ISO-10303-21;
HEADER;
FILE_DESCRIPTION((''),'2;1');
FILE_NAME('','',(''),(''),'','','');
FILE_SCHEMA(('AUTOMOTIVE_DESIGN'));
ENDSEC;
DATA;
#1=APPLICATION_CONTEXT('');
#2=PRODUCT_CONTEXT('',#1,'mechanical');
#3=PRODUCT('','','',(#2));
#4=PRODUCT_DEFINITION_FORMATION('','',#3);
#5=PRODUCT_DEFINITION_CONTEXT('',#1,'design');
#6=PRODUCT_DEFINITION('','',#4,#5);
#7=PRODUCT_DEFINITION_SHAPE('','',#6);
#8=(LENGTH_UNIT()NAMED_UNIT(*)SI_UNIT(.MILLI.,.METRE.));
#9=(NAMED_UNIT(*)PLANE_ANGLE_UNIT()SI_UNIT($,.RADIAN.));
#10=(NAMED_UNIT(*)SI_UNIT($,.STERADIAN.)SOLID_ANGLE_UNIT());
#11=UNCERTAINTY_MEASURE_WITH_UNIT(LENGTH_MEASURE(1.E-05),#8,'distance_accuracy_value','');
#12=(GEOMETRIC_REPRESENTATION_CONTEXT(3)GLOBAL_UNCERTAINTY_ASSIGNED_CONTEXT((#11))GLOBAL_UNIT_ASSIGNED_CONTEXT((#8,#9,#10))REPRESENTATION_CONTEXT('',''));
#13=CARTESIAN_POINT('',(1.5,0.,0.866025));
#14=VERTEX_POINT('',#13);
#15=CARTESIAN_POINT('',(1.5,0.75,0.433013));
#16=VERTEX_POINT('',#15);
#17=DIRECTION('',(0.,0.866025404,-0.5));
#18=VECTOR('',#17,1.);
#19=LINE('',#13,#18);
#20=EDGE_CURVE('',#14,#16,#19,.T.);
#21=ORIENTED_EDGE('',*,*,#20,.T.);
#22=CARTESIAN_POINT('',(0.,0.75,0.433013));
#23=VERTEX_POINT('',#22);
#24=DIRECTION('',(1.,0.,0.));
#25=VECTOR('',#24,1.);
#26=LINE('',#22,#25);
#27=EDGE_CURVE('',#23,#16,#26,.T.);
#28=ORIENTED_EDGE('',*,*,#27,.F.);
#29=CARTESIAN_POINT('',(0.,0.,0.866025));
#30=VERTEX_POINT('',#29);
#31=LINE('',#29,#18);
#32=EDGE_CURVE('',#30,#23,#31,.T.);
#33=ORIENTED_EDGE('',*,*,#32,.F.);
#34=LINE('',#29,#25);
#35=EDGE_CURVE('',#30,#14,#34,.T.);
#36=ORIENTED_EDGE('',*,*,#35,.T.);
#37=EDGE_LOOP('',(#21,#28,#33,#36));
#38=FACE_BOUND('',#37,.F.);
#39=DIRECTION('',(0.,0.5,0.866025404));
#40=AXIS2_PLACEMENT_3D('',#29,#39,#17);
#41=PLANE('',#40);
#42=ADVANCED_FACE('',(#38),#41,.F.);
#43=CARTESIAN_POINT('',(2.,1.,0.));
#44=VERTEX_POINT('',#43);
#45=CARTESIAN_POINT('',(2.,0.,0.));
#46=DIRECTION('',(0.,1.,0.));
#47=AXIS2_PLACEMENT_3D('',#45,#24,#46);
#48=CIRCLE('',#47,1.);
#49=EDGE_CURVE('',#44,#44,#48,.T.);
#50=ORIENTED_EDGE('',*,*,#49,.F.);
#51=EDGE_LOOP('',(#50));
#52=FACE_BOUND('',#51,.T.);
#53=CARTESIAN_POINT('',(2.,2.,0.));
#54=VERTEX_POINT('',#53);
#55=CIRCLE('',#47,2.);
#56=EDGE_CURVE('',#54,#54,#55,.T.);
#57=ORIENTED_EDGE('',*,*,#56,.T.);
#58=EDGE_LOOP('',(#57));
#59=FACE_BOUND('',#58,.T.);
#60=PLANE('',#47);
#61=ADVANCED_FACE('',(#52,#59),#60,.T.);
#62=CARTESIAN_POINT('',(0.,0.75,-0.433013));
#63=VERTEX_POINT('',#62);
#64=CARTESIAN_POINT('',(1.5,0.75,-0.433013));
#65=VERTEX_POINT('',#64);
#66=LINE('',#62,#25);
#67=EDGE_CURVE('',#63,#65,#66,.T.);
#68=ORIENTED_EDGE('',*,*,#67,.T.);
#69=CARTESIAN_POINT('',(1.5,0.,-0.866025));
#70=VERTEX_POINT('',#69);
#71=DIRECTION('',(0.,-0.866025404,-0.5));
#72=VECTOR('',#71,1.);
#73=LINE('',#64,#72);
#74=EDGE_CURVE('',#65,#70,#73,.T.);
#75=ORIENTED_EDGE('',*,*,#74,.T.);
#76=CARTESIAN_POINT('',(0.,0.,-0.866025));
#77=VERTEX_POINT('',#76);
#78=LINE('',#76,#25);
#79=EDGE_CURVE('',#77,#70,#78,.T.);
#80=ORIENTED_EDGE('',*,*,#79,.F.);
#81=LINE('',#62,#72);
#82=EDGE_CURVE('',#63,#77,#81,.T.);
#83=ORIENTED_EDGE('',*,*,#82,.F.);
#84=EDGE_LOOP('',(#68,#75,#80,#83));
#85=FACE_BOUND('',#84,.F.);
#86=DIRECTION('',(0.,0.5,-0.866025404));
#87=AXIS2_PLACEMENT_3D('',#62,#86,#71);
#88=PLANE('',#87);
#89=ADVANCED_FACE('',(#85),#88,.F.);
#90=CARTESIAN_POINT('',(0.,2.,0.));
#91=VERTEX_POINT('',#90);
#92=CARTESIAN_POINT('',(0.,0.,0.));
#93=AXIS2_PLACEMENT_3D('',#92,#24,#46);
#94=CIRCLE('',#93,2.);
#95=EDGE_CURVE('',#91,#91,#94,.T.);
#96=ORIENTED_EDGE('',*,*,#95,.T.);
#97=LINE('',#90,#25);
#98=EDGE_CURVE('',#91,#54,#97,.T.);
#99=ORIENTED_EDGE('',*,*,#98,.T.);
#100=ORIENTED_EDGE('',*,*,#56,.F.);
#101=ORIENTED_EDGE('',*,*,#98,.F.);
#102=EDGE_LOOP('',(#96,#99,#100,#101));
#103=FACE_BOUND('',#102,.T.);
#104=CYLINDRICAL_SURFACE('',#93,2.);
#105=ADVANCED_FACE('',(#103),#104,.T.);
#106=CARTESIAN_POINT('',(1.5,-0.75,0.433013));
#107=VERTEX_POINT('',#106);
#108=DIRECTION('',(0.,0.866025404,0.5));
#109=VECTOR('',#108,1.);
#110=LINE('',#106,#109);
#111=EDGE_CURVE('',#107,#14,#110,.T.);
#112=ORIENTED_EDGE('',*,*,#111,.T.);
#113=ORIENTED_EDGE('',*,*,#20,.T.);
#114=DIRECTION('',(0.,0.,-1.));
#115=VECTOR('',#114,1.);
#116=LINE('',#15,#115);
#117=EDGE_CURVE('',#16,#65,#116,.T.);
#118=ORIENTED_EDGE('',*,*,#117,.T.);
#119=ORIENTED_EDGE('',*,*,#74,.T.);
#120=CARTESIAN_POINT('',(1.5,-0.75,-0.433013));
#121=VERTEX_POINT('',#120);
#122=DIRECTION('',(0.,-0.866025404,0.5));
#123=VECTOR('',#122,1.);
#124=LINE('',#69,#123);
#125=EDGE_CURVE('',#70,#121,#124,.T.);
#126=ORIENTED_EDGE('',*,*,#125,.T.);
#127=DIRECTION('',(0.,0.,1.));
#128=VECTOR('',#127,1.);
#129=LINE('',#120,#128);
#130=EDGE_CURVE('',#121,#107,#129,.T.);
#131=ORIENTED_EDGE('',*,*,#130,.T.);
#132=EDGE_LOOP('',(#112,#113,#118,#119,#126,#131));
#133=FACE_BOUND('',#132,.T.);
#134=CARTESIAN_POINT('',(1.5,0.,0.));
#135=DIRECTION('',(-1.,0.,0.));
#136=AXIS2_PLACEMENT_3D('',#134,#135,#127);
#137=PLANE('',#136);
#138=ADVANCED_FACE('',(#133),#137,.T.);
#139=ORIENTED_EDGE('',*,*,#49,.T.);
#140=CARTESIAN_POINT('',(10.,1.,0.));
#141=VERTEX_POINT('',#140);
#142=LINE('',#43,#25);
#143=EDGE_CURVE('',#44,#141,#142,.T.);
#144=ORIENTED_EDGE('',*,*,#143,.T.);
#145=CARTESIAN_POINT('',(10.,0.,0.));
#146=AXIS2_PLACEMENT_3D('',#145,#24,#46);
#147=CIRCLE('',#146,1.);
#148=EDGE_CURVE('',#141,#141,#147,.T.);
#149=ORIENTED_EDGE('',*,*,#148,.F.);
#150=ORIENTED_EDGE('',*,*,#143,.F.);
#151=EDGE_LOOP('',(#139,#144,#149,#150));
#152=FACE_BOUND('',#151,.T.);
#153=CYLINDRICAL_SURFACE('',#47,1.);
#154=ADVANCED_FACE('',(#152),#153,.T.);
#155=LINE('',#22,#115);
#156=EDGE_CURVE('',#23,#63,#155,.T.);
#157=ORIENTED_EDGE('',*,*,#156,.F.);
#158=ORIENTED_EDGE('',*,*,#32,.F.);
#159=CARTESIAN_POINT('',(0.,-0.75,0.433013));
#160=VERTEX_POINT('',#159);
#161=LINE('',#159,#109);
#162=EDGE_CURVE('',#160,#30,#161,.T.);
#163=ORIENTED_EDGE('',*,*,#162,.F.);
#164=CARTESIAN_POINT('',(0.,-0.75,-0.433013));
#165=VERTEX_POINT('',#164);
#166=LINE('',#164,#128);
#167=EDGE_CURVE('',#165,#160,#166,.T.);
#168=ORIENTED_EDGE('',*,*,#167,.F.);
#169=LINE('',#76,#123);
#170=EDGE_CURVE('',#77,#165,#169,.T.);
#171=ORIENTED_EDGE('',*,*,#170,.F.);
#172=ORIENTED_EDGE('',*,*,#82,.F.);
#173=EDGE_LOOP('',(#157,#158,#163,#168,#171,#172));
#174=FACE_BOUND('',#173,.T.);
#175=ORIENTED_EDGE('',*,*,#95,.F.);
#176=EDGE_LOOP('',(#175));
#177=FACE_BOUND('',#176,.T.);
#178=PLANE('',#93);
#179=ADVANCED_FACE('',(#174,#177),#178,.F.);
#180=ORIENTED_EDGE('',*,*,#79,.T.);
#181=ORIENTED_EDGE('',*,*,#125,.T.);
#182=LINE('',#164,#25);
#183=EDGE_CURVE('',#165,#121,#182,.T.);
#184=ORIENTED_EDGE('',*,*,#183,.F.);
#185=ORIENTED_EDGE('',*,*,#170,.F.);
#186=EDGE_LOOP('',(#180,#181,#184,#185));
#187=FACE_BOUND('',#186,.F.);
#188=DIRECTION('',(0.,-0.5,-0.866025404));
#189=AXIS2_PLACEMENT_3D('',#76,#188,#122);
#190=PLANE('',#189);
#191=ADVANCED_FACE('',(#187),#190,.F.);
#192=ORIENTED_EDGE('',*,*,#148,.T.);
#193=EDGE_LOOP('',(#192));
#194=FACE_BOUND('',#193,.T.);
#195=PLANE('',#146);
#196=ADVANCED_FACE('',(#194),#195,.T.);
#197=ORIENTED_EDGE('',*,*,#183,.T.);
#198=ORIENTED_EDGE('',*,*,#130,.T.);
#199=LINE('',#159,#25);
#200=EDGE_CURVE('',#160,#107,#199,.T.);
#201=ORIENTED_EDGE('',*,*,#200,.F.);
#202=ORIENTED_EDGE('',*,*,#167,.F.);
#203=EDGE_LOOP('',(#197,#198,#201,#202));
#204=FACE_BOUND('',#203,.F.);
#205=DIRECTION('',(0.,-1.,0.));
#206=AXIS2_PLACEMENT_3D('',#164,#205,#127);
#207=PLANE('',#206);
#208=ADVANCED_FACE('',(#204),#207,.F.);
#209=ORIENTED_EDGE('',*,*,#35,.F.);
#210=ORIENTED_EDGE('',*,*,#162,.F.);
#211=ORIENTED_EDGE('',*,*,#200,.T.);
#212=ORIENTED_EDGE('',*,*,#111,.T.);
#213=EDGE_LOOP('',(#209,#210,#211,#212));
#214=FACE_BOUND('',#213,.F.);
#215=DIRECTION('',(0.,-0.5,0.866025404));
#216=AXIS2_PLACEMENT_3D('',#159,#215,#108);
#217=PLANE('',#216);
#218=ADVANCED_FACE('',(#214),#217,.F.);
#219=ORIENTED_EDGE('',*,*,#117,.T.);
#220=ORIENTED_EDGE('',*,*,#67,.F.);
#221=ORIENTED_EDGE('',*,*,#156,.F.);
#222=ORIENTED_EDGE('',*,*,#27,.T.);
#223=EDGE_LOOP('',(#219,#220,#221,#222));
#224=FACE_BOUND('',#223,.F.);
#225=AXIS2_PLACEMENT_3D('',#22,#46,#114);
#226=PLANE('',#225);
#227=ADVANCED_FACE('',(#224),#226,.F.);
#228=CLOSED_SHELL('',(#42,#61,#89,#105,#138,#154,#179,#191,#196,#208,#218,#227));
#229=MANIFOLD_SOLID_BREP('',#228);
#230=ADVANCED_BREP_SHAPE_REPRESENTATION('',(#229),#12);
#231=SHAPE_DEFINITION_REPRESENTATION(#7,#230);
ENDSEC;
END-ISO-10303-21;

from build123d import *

# Parameters (mm, degrees)
CUT_EXTRUDE_1_DEPTH = 1.5


with BuildPart() as part:
    # Эскиз1 → Повернуть1 (revolve)
    with BuildSketch(Plane.XY):
        Polygon((0, 0), (0, 2), (2, 2), (2, 1), (10, 1), (10, 0), align=None)
    revolve(axis=Axis((0, 0, 0), (1, 0, 0)))

    # Эскиз2 → Вырез-Вытянуть1 (cut)
    with BuildSketch(Plane.ZY):
        Polygon((0.866025404, 0), (0.433012702, 0.75), (-0.433012702, 0.75), (-0.866025404, 0), (-0.433012702, -0.75), (0.433012702, -0.75), align=None)
    extrude(amount=-CUT_EXTRUDE_1_DEPTH, mode=Mode.SUBTRACT)


solid = part.part
